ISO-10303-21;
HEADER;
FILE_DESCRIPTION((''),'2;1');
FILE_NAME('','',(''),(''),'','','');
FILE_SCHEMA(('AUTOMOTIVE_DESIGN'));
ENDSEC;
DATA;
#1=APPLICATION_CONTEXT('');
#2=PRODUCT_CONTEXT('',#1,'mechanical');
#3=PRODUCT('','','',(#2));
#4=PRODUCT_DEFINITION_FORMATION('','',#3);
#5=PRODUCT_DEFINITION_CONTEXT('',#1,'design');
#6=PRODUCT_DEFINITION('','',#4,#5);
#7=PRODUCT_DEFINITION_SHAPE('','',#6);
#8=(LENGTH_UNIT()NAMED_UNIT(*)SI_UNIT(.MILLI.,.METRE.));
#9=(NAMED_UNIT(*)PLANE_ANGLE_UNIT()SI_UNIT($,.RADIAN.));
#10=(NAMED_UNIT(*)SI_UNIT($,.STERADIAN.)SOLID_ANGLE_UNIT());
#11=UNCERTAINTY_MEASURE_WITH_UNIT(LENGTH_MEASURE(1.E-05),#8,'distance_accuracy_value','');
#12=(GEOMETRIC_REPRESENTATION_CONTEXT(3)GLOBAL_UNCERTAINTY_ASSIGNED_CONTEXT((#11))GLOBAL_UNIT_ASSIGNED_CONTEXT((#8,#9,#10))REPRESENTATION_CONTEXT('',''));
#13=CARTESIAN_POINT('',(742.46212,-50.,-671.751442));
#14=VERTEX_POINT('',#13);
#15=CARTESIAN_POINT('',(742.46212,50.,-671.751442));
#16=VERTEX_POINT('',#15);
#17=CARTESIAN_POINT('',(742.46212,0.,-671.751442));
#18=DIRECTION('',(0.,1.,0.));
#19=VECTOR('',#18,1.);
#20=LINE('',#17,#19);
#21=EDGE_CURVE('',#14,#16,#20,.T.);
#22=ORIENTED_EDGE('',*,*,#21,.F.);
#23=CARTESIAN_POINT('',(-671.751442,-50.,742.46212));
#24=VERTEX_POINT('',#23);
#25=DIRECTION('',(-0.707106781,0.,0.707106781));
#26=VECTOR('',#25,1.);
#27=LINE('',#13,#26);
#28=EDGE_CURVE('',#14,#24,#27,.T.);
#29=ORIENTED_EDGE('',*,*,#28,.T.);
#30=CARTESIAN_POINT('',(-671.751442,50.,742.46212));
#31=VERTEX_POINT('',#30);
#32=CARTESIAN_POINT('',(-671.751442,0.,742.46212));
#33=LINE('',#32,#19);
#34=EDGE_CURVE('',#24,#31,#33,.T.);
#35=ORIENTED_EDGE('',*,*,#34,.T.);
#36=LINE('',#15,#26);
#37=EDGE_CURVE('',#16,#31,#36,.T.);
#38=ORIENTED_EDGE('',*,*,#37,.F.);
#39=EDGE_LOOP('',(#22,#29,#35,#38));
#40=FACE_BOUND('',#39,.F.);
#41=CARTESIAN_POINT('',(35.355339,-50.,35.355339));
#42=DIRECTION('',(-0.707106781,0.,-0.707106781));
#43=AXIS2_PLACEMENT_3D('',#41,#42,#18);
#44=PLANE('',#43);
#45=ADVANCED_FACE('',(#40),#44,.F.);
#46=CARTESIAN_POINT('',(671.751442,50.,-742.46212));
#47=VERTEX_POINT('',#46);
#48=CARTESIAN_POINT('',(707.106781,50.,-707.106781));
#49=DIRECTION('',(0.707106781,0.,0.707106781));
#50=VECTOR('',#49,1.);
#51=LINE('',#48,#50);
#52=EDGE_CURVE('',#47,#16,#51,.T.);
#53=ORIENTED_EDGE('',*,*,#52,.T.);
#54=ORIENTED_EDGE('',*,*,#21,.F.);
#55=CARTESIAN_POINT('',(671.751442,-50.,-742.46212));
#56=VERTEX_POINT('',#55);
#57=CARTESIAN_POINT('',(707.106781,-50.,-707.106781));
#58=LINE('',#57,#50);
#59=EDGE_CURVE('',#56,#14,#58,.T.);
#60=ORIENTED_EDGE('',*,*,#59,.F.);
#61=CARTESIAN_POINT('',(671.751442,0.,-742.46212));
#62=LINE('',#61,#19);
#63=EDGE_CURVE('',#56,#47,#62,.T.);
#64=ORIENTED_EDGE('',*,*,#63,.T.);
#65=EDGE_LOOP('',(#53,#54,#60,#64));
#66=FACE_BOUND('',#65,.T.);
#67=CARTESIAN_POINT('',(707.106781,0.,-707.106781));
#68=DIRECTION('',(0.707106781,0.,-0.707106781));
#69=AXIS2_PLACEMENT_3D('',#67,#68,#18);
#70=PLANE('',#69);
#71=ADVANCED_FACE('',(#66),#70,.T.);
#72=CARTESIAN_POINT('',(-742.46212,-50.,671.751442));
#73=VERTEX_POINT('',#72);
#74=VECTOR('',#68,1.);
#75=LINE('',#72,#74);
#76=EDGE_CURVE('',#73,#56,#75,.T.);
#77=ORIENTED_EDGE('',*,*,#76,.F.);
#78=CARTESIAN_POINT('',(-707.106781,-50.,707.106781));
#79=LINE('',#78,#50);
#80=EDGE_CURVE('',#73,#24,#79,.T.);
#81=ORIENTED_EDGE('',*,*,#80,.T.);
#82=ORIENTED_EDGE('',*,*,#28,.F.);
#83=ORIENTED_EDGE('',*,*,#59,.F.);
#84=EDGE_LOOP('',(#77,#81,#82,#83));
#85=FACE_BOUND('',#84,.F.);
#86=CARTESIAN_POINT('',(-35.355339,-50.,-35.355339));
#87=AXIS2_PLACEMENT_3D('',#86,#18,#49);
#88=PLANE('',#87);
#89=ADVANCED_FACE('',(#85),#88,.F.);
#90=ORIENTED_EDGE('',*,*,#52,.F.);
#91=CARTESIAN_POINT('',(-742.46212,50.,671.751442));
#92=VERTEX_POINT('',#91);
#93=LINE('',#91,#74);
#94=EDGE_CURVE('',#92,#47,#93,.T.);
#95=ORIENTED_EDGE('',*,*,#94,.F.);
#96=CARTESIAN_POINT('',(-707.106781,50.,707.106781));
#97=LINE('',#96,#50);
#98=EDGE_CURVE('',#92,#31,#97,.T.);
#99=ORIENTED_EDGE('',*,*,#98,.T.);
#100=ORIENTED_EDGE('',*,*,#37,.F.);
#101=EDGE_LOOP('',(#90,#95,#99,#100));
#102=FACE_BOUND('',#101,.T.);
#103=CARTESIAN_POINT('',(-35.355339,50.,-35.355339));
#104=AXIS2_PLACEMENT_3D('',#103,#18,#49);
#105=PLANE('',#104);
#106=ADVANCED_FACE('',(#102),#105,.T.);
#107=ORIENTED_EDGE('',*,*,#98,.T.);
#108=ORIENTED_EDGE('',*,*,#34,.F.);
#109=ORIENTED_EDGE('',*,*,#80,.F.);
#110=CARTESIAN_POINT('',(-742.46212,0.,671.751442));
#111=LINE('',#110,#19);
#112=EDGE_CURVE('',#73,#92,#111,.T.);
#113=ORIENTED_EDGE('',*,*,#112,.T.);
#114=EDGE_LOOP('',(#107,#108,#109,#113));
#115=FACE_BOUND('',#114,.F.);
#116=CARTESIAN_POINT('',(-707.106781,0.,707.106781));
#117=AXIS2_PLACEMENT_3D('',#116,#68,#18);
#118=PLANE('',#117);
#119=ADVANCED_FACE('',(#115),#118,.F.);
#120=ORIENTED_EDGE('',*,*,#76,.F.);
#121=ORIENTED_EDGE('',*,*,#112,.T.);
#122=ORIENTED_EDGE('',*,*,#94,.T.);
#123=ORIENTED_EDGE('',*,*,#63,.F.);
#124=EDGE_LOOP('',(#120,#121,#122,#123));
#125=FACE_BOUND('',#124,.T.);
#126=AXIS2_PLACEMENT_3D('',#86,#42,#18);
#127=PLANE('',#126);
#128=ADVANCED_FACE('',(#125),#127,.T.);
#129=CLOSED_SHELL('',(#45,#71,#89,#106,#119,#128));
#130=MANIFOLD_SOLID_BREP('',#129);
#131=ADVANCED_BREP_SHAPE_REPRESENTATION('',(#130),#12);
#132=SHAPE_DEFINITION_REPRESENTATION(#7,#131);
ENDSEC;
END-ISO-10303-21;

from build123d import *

# Parameters (mm, degrees)
F1_W          = 100
F1_H          = 100
F2_DEPTH      = 1000
F2_DEPTH_BACK = 1000


with BuildPart() as f2:
    # F1 (on face) → F2 (new body, two sides)
    with BuildSketch(Plane(origin=(0, 0, 0), x_dir=(0, 1, 0), z_dir=(0.7071067812, 0, -0.7071067812))) as f2_sk:
        Rectangle(F1_W, F1_H)
    extrude(amount=F2_DEPTH)
    extrude(f2_sk.sketch, amount=-F2_DEPTH_BACK)


solid = f2.part
